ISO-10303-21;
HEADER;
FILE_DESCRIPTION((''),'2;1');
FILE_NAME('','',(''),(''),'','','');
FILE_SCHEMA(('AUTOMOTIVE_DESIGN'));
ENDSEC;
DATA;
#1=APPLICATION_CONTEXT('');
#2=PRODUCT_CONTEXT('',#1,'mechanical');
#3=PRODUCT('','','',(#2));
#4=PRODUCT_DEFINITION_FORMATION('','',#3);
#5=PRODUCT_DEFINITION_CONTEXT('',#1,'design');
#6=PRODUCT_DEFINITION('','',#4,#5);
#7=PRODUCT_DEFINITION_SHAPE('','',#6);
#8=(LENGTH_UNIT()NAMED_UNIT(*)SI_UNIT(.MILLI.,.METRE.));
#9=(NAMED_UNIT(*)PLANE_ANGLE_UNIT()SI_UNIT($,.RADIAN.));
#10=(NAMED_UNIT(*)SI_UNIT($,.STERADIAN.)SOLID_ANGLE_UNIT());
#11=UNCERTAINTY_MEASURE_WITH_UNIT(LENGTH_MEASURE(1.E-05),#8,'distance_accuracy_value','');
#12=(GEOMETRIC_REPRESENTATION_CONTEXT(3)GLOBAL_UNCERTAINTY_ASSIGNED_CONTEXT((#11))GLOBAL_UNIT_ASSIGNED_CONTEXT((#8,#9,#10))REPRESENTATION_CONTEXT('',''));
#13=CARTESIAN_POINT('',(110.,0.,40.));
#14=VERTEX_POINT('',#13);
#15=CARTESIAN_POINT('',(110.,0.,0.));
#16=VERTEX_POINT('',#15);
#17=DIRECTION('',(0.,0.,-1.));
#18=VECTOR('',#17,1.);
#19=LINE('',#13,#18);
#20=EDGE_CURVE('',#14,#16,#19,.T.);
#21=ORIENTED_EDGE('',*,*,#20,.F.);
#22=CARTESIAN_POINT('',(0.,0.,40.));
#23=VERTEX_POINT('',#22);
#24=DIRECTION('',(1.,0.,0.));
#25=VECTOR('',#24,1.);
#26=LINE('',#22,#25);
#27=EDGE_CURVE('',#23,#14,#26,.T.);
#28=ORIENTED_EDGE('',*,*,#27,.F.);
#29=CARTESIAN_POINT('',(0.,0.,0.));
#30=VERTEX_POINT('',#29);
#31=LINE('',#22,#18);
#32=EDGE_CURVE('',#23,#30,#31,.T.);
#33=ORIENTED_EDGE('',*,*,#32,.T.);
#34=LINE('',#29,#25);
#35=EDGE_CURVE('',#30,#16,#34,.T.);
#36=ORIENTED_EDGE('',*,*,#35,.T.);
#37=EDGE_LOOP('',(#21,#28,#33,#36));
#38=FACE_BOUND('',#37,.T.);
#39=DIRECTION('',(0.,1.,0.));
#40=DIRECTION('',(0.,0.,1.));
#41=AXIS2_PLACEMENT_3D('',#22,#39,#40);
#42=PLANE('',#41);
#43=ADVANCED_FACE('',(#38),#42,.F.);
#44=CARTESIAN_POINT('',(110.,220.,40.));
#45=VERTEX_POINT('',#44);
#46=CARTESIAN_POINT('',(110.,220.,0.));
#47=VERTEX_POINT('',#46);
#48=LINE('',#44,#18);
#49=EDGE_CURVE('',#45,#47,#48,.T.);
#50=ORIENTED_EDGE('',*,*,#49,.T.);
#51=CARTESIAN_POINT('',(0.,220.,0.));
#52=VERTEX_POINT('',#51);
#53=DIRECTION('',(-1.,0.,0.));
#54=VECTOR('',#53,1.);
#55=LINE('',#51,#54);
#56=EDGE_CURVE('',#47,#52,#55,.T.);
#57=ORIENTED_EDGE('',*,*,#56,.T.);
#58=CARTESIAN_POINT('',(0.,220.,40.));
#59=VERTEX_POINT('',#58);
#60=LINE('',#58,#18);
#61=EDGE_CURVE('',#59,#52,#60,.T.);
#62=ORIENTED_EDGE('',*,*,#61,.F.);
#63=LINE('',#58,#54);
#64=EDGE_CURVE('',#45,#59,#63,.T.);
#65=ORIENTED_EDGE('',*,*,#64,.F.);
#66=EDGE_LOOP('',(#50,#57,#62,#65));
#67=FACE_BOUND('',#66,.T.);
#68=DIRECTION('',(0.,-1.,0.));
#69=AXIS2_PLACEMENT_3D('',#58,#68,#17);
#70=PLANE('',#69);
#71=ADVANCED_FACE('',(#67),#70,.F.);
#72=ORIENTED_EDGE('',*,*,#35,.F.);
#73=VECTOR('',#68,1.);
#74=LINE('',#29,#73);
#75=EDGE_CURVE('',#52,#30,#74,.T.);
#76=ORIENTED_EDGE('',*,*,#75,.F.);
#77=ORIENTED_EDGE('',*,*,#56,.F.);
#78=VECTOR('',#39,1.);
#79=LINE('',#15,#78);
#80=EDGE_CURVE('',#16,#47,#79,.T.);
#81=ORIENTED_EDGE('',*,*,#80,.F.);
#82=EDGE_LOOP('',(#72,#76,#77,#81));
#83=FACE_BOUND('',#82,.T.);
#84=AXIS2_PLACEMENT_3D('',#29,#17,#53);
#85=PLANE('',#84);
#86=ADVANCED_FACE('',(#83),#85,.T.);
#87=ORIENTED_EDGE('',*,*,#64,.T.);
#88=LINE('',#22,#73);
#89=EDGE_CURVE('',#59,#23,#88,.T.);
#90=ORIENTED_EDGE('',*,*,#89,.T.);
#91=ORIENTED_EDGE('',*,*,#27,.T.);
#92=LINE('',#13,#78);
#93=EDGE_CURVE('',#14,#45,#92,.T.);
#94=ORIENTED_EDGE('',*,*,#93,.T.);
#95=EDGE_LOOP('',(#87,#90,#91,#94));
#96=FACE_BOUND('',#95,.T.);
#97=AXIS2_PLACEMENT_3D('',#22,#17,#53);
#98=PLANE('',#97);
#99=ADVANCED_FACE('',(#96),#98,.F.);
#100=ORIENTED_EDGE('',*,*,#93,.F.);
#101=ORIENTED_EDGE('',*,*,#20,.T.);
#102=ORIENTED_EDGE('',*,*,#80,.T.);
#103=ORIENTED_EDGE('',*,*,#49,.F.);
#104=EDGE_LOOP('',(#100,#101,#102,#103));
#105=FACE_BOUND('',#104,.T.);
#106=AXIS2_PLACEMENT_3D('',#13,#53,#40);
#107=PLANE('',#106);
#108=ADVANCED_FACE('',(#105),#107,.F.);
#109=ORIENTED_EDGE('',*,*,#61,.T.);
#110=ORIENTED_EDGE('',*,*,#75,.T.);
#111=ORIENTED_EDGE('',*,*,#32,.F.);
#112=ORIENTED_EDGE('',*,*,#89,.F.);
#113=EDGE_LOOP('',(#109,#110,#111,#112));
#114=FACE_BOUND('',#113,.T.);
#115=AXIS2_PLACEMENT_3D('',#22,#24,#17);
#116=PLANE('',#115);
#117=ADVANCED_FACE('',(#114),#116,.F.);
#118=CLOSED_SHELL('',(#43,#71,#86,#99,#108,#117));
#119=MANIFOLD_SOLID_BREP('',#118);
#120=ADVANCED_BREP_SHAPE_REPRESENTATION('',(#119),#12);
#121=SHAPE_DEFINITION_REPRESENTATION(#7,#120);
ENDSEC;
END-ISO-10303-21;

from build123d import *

# Parameters (mm, degrees)
SKETCH_1_W      = 110
SKETCH_1_H      = 220
EXTRUDE_1_DEPTH = 40


with BuildPart() as part:
    # ｽｹｯﾁ1 → ﾎﾞｽ - 押し出し1 (new body)
    with BuildSketch(Plane.XY):
        with Locations((55, 110)):
            Rectangle(SKETCH_1_W, SKETCH_1_H)
    extrude(amount=EXTRUDE_1_DEPTH)


solid = part.part
